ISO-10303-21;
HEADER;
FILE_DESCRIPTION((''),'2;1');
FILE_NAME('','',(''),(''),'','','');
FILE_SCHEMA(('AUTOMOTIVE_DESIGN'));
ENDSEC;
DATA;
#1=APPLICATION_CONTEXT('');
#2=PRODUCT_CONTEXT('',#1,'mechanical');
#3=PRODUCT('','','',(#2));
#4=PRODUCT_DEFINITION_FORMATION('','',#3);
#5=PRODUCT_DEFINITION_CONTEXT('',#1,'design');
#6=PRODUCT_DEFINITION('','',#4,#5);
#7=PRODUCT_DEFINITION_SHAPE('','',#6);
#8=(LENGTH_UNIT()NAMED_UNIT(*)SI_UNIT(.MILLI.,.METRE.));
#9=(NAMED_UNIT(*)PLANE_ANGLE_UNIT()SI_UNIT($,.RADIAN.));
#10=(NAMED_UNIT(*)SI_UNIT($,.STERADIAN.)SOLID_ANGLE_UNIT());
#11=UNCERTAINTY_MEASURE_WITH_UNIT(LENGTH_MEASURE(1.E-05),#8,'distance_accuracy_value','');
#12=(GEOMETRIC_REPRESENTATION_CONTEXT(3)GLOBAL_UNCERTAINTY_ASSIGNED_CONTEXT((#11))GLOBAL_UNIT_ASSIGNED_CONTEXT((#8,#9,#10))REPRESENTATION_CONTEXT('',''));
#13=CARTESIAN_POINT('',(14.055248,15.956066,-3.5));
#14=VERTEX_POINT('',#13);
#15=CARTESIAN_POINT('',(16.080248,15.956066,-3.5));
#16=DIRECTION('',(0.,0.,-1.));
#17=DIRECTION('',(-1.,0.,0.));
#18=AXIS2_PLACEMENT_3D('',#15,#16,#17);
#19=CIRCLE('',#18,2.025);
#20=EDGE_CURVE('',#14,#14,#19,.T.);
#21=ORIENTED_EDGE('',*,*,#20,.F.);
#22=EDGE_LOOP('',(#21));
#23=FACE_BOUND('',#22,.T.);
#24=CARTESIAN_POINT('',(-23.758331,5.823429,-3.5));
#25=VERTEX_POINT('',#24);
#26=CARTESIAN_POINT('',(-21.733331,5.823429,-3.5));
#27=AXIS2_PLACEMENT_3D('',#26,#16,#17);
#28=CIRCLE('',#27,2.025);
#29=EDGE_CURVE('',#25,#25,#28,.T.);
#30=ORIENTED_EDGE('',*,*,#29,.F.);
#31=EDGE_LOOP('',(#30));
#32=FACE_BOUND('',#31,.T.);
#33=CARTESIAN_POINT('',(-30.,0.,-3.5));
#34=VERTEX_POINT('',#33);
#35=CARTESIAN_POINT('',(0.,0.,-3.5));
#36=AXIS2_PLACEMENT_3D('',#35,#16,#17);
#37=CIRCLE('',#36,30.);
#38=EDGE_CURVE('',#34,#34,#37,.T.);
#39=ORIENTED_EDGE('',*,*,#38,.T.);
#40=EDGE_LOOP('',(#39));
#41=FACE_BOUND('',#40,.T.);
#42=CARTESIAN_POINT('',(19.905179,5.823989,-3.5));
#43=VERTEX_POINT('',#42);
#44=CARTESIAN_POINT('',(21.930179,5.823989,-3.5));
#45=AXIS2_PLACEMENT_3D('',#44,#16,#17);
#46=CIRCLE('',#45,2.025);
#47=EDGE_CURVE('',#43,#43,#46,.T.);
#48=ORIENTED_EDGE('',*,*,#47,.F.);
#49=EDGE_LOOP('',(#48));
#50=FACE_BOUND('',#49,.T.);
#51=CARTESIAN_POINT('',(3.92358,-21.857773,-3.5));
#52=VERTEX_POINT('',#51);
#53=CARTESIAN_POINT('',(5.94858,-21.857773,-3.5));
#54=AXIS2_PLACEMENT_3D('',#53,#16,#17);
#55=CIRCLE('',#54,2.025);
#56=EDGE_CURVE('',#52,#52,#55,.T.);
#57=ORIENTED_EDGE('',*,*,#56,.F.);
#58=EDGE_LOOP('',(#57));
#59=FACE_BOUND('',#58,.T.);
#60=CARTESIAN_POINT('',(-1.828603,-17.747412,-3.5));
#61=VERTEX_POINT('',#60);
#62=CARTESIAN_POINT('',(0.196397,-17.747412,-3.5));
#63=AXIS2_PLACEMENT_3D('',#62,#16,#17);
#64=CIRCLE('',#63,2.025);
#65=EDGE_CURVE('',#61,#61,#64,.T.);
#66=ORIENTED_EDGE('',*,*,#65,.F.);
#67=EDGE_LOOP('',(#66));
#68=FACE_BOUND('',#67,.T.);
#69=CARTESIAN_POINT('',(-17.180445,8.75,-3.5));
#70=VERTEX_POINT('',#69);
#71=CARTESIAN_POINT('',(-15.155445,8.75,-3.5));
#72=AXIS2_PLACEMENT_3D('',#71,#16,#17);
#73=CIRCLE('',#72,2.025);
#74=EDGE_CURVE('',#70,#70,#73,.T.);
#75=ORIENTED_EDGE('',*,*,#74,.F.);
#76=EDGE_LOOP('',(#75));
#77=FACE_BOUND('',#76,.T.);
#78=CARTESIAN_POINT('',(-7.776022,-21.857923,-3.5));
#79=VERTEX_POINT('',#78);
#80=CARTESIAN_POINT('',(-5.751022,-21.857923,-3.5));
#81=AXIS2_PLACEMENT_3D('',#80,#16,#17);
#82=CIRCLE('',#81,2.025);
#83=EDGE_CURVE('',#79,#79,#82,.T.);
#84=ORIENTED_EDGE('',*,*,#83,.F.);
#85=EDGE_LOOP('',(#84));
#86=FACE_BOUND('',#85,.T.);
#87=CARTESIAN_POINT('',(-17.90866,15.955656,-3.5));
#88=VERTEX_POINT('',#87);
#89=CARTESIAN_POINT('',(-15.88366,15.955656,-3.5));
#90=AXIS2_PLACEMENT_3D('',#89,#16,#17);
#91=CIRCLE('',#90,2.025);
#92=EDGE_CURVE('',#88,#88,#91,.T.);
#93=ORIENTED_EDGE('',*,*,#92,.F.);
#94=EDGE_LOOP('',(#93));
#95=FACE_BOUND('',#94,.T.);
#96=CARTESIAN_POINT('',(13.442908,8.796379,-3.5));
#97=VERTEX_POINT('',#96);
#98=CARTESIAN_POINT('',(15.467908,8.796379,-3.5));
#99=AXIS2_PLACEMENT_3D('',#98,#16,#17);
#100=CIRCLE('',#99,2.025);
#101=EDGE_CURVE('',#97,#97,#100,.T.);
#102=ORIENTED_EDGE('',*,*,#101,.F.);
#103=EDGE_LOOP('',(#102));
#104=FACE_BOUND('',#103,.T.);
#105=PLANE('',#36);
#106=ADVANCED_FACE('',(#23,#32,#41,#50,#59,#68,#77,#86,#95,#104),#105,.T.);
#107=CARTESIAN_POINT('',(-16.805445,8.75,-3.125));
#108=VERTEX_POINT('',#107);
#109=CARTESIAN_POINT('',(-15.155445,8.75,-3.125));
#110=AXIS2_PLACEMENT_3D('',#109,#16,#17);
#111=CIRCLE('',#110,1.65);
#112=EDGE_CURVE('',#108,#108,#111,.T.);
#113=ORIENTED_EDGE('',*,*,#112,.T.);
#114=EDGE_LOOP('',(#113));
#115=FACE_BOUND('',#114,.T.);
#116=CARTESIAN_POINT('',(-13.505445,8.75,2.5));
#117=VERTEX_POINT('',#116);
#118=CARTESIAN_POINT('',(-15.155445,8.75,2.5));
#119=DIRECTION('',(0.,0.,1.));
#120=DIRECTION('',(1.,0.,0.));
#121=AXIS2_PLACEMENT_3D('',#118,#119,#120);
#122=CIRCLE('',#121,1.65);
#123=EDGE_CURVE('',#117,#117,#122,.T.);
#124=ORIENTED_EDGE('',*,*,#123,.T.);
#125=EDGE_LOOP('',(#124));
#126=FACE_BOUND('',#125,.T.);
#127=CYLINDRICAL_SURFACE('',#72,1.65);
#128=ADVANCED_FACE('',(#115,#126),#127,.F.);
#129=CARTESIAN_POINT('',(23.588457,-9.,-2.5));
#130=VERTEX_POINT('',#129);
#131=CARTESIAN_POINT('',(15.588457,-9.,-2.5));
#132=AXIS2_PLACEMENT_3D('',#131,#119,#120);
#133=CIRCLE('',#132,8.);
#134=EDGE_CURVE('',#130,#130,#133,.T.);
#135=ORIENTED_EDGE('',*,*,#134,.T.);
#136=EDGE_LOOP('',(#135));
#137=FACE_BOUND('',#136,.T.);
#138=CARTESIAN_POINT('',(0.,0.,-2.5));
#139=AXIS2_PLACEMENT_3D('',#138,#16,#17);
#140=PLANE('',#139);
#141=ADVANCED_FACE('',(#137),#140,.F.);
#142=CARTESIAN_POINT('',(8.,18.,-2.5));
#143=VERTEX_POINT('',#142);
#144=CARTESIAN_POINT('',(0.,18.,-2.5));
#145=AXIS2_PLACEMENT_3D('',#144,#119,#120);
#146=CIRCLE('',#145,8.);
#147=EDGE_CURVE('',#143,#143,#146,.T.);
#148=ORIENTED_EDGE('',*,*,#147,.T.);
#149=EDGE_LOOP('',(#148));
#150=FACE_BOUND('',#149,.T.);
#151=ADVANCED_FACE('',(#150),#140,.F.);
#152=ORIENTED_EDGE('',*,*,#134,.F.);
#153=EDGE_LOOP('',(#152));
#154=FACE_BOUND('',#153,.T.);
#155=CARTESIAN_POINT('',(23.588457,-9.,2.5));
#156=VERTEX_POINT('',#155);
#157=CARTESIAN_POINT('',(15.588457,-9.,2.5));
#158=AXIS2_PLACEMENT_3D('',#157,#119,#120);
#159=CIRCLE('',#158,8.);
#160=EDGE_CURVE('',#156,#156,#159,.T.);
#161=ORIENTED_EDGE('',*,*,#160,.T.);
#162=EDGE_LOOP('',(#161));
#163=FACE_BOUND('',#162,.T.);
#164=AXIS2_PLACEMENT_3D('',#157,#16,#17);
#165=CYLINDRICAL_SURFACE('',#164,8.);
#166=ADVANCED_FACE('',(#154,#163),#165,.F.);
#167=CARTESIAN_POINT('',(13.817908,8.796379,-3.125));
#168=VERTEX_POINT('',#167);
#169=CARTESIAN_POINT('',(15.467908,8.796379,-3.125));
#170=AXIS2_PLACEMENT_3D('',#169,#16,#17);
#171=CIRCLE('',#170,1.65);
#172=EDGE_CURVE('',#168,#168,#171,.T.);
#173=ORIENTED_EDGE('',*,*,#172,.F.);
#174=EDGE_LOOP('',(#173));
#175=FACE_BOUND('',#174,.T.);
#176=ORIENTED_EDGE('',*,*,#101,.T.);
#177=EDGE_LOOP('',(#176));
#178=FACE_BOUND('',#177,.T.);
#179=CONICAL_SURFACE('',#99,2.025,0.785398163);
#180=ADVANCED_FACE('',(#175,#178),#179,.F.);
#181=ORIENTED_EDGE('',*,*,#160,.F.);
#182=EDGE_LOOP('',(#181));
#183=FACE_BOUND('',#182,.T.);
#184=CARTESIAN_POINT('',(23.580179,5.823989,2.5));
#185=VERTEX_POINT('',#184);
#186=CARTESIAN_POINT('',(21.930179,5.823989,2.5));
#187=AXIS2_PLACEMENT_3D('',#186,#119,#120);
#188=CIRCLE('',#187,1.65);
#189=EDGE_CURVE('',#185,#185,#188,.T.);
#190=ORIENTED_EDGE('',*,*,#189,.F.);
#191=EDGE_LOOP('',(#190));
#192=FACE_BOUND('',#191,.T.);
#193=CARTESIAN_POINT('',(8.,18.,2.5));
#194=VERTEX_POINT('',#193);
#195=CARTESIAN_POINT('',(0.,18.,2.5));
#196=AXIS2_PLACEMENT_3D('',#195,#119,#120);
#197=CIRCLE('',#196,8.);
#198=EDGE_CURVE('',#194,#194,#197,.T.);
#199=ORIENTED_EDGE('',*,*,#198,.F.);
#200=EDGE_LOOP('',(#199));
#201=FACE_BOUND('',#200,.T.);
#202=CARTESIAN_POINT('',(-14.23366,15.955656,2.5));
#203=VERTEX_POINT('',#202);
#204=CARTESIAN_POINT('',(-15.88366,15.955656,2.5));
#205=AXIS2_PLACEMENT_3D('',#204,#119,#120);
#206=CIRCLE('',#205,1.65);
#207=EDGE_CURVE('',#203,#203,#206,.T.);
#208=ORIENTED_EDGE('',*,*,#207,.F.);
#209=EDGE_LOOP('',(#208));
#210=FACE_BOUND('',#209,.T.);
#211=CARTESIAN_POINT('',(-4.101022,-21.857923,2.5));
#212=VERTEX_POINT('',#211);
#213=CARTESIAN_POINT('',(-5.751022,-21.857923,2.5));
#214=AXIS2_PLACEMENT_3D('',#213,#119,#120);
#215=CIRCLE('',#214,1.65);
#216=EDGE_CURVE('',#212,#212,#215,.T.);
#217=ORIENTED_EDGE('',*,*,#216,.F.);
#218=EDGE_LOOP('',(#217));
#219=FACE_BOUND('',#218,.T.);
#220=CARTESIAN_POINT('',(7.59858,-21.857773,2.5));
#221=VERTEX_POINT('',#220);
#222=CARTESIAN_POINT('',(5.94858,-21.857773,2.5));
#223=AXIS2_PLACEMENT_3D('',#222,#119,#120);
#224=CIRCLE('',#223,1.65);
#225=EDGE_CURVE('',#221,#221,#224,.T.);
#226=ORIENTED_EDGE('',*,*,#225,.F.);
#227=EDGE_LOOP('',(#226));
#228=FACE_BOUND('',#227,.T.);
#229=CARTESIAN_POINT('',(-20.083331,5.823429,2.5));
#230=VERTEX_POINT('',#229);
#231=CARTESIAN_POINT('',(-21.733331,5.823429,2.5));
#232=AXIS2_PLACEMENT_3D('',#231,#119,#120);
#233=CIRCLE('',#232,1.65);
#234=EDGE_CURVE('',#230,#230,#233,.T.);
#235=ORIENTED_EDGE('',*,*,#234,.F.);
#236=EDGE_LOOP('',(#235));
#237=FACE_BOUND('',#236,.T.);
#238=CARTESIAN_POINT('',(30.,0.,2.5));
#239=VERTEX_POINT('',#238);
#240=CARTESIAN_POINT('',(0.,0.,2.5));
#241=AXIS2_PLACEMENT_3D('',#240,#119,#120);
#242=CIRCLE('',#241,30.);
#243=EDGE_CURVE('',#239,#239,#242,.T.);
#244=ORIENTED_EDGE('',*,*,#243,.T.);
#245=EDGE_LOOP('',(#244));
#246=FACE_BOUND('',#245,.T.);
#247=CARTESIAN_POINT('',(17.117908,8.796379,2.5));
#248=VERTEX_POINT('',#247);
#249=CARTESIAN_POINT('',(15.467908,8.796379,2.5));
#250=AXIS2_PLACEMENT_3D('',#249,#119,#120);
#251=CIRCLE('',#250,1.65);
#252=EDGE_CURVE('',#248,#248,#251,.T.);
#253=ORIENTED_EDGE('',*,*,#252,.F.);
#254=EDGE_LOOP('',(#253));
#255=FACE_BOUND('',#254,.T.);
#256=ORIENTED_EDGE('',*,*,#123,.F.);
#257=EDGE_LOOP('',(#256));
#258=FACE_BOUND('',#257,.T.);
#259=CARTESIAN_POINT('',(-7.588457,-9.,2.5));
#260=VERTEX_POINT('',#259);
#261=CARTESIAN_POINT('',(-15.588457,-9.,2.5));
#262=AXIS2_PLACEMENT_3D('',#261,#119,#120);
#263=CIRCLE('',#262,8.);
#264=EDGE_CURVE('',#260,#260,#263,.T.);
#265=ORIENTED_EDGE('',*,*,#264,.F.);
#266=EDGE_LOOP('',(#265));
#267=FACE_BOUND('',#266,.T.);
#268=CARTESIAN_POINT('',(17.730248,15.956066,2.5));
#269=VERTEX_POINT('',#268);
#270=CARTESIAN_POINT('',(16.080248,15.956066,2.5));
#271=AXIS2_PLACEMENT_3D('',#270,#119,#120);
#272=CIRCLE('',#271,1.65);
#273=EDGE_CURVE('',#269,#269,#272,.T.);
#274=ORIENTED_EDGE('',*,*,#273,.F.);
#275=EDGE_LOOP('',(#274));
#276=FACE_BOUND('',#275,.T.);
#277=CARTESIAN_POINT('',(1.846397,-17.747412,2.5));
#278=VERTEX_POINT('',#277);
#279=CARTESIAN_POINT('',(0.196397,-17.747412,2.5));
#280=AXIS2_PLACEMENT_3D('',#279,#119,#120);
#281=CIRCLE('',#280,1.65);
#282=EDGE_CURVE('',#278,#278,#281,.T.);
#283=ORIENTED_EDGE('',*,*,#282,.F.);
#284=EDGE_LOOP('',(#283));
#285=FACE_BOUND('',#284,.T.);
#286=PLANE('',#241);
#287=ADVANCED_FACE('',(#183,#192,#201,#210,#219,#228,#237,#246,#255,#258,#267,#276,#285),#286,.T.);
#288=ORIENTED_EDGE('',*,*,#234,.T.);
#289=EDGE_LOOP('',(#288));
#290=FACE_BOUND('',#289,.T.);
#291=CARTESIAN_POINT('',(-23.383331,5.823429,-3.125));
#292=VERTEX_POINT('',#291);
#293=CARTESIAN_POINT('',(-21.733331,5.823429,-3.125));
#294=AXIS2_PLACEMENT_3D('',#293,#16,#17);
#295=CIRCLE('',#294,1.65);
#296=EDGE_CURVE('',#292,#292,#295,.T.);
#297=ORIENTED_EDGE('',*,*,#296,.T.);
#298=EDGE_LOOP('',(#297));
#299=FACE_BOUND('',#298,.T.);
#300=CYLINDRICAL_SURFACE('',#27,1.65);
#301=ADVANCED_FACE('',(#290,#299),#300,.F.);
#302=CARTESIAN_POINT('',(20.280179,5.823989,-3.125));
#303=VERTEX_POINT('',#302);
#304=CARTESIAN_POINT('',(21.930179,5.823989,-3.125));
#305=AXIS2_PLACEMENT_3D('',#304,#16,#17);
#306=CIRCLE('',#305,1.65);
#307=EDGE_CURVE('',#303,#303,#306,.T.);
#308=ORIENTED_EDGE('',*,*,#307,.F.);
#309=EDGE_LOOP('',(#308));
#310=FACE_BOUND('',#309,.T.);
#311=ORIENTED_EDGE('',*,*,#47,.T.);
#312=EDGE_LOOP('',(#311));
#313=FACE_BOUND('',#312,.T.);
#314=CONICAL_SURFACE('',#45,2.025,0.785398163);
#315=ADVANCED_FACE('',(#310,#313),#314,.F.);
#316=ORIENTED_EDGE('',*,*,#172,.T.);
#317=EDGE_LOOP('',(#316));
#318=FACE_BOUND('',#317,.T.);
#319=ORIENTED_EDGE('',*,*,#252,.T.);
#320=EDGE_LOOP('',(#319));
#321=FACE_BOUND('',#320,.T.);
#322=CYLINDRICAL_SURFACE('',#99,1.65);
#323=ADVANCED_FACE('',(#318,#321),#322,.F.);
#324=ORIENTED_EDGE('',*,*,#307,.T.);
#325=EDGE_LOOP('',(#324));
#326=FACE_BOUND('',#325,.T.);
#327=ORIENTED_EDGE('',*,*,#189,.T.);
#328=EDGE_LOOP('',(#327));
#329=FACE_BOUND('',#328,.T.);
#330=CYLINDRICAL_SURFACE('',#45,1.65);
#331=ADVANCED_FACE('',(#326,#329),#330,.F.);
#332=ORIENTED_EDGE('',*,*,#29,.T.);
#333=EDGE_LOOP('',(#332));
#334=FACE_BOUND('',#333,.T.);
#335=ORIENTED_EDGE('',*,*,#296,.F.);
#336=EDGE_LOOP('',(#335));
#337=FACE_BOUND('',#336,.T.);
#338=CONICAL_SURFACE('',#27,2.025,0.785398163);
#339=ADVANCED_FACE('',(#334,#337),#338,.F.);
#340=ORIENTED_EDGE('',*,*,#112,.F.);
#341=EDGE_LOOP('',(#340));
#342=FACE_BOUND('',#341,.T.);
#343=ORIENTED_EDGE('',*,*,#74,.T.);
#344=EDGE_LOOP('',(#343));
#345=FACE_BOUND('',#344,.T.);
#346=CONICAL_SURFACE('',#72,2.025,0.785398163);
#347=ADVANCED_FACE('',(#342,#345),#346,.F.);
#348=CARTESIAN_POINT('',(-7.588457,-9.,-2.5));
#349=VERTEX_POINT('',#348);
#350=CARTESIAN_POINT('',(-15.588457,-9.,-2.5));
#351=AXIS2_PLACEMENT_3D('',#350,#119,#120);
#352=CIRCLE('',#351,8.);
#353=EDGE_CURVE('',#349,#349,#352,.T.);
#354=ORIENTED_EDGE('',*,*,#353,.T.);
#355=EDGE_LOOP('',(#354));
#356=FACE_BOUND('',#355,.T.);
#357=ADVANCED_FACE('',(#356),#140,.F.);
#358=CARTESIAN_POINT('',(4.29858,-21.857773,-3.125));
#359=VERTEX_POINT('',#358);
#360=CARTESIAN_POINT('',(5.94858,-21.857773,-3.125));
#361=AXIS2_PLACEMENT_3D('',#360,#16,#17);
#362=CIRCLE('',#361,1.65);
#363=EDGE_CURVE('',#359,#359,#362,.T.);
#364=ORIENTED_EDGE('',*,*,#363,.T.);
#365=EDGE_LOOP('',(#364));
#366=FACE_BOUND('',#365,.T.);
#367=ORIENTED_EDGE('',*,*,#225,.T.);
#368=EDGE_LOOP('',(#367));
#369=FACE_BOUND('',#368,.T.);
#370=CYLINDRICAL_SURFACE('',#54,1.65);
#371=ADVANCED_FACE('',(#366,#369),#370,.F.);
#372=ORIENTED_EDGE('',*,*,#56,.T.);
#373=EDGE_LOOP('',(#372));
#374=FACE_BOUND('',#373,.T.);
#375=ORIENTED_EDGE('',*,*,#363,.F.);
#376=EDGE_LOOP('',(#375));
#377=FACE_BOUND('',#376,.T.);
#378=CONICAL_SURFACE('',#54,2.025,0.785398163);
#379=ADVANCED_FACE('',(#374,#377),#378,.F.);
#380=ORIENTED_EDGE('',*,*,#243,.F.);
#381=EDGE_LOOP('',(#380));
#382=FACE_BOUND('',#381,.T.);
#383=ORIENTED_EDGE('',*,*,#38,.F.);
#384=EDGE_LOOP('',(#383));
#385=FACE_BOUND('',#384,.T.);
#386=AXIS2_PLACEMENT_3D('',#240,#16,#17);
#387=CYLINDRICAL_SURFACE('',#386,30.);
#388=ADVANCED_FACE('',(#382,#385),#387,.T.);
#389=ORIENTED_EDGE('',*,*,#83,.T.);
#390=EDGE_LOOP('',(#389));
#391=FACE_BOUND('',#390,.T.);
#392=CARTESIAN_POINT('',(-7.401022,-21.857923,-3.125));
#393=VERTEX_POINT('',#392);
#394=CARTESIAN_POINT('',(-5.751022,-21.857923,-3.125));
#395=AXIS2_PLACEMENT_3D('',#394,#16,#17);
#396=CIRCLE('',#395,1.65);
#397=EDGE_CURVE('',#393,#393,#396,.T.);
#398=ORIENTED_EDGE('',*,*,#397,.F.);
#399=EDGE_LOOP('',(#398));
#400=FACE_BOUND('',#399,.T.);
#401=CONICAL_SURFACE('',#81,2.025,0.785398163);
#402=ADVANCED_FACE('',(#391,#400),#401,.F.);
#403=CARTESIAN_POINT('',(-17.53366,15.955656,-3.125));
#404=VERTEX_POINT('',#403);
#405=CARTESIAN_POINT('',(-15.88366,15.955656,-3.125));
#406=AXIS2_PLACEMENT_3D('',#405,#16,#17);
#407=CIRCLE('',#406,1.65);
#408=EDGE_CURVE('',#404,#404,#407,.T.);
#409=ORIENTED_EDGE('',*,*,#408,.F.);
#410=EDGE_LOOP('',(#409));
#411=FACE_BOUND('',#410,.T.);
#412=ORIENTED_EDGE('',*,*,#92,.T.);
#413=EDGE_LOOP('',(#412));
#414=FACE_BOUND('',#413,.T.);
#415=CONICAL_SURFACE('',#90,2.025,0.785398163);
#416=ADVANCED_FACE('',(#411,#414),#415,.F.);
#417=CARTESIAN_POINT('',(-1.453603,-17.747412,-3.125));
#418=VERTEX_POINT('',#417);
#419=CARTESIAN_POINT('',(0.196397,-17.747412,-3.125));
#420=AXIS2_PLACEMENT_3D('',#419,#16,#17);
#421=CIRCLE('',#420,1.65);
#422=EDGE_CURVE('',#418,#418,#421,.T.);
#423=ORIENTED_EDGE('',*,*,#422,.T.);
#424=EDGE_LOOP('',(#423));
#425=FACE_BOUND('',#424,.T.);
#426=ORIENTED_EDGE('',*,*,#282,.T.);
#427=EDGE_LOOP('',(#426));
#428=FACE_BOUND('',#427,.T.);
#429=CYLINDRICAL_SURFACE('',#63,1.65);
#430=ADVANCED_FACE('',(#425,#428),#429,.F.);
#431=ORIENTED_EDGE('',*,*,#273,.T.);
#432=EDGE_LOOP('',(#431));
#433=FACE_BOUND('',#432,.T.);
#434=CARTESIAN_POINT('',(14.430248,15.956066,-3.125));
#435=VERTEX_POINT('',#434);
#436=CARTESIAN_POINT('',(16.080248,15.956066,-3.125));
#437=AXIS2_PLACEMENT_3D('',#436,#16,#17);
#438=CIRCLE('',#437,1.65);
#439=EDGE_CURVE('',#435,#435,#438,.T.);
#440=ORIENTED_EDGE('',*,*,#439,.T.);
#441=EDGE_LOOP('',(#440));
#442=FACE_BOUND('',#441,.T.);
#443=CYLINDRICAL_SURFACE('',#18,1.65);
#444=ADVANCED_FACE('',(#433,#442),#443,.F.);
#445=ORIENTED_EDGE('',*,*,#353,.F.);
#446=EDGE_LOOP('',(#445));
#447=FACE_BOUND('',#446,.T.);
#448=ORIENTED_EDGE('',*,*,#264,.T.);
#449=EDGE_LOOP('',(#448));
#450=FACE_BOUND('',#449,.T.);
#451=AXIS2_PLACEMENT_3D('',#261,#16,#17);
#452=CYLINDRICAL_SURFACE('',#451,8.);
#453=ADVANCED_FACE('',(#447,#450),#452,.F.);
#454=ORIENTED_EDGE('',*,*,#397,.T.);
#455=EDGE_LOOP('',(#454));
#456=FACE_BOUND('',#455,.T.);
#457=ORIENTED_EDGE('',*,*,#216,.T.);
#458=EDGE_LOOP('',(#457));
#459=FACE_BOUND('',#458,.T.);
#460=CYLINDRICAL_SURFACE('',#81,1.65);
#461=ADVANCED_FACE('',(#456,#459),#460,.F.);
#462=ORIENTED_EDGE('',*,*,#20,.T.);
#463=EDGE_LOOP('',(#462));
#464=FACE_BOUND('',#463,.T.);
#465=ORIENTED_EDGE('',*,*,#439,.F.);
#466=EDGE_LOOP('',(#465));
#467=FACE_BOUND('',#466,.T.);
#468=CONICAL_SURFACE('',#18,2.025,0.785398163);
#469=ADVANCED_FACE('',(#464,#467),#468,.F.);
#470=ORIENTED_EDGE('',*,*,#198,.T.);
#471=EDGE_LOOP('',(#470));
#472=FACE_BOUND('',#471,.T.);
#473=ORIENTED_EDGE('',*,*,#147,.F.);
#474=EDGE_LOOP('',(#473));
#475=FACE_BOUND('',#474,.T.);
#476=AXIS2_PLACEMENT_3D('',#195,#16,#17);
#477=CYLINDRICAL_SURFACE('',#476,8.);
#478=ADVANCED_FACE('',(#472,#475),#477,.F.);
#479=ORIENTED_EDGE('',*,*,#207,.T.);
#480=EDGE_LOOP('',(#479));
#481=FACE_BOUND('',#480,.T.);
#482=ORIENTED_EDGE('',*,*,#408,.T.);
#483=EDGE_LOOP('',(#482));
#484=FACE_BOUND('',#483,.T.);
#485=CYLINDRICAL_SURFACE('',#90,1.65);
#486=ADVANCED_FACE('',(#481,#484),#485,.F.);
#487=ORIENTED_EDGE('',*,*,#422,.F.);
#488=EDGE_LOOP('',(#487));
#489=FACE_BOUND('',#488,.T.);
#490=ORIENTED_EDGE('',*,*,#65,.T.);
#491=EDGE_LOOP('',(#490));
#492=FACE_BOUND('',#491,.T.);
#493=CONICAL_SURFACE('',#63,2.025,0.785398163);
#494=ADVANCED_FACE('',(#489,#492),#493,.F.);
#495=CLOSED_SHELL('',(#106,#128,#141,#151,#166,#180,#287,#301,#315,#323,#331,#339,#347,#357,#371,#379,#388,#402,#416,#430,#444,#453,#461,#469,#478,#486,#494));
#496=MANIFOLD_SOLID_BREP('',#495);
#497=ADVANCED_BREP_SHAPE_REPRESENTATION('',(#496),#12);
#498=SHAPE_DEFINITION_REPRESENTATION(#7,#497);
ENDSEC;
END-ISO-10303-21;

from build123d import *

# Parameters (mm, degrees)
SKETCH1_R           = 30
SKETCH1_R_2         = 8
BOSS_EXTRUDE1_DEPTH = 2.5
SKETCH3_R           = 30
BOSS_EXTRUDE2_DEPTH = 1
CIRPATTERN1_COUNT   = 3
CIRPATTERN2_COUNT   = 12


with BuildPart() as part:
    # Sketch1 → Boss-Extrude1 (new, symmetric)
    with BuildSketch(Plane.XY):
        Circle(SKETCH1_R)
        with Locations((0, 18)):
            Circle(SKETCH1_R_2, mode=Mode.SUBTRACT)
        with Locations((15.588457268, -9)):
            Circle(SKETCH1_R_2, mode=Mode.SUBTRACT)
        with Locations((-15.588457268, -9)):
            Circle(SKETCH1_R_2, mode=Mode.SUBTRACT)
    extrude(amount=BOSS_EXTRUDE1_DEPTH, both=True)

    # Sketch3 → Boss-Extrude2 (add)
    with BuildSketch(Plane(origin=(0, 0, -2.5), x_dir=(-1, 0, 0), z_dir=(0, 0, -1))):
        Circle(SKETCH3_R)
    extrude(amount=BOSS_EXTRUDE2_DEPTH)

    # Sketch6 → M4x0.7 Tapped Hole1 (revolve, cut)
    with BuildSketch(Plane(origin=(-21.733331092, 5.823428515, -3.5), x_dir=(0, 1, 0), z_dir=(1, 0, 0))):
        Polygon((0, 0), (0, 11.091420021), (1.65, 10.1), (1.65, 0.375), (2.025, 0), align=None)
    m4x0_7_tapped_hole1 = revolve(axis=Axis((-21.733331092, 5.823428515, -9.85), (0, 0, 1)), mode=Mode.SUBTRACT)

    # Sketch8 → M4x0.7 Tapped Hole2 (revolve, cut)
    with BuildSketch(Plane(origin=(-15.155444566, 8.75, -3.5), x_dir=(0, 1, 0), z_dir=(1, 0, 0))):
        Polygon((0, 0), (0, 11.091420021), (1.65, 10.1), (1.65, 0.375), (2.025, 0), align=None)
    m4x0_7_tapped_hole2 = revolve(axis=Axis((-15.155444566, 8.75, -9.85), (0, 0, 1)), mode=Mode.SUBTRACT)

    # CirPattern1: M4x0.7 Tapped Hole2 ×3 about axis
    cirpattern1_axis = Axis((0.169620148, -0.06701082, 0), (0, 0, 1))
    for i in range(1, CIRPATTERN1_COUNT):
        add(m4x0_7_tapped_hole2.rotate(cirpattern1_axis, i * 360 / CIRPATTERN1_COUNT), mode=Mode.SUBTRACT)

    # CirPattern2: M4x0.7 Tapped Hole1 ×12 about axis, 6 skipped
    cirpattern2_axis = Axis((0.098499141, -0.026092579, 0), (0, 0, -1))
    add([m4x0_7_tapped_hole1.rotate(cirpattern2_axis, i * 360 / CIRPATTERN2_COUNT) for i in range(1, CIRPATTERN2_COUNT) if i not in (2, 3, 6, 7, 10, 11)], mode=Mode.SUBTRACT)


solid = part.part
